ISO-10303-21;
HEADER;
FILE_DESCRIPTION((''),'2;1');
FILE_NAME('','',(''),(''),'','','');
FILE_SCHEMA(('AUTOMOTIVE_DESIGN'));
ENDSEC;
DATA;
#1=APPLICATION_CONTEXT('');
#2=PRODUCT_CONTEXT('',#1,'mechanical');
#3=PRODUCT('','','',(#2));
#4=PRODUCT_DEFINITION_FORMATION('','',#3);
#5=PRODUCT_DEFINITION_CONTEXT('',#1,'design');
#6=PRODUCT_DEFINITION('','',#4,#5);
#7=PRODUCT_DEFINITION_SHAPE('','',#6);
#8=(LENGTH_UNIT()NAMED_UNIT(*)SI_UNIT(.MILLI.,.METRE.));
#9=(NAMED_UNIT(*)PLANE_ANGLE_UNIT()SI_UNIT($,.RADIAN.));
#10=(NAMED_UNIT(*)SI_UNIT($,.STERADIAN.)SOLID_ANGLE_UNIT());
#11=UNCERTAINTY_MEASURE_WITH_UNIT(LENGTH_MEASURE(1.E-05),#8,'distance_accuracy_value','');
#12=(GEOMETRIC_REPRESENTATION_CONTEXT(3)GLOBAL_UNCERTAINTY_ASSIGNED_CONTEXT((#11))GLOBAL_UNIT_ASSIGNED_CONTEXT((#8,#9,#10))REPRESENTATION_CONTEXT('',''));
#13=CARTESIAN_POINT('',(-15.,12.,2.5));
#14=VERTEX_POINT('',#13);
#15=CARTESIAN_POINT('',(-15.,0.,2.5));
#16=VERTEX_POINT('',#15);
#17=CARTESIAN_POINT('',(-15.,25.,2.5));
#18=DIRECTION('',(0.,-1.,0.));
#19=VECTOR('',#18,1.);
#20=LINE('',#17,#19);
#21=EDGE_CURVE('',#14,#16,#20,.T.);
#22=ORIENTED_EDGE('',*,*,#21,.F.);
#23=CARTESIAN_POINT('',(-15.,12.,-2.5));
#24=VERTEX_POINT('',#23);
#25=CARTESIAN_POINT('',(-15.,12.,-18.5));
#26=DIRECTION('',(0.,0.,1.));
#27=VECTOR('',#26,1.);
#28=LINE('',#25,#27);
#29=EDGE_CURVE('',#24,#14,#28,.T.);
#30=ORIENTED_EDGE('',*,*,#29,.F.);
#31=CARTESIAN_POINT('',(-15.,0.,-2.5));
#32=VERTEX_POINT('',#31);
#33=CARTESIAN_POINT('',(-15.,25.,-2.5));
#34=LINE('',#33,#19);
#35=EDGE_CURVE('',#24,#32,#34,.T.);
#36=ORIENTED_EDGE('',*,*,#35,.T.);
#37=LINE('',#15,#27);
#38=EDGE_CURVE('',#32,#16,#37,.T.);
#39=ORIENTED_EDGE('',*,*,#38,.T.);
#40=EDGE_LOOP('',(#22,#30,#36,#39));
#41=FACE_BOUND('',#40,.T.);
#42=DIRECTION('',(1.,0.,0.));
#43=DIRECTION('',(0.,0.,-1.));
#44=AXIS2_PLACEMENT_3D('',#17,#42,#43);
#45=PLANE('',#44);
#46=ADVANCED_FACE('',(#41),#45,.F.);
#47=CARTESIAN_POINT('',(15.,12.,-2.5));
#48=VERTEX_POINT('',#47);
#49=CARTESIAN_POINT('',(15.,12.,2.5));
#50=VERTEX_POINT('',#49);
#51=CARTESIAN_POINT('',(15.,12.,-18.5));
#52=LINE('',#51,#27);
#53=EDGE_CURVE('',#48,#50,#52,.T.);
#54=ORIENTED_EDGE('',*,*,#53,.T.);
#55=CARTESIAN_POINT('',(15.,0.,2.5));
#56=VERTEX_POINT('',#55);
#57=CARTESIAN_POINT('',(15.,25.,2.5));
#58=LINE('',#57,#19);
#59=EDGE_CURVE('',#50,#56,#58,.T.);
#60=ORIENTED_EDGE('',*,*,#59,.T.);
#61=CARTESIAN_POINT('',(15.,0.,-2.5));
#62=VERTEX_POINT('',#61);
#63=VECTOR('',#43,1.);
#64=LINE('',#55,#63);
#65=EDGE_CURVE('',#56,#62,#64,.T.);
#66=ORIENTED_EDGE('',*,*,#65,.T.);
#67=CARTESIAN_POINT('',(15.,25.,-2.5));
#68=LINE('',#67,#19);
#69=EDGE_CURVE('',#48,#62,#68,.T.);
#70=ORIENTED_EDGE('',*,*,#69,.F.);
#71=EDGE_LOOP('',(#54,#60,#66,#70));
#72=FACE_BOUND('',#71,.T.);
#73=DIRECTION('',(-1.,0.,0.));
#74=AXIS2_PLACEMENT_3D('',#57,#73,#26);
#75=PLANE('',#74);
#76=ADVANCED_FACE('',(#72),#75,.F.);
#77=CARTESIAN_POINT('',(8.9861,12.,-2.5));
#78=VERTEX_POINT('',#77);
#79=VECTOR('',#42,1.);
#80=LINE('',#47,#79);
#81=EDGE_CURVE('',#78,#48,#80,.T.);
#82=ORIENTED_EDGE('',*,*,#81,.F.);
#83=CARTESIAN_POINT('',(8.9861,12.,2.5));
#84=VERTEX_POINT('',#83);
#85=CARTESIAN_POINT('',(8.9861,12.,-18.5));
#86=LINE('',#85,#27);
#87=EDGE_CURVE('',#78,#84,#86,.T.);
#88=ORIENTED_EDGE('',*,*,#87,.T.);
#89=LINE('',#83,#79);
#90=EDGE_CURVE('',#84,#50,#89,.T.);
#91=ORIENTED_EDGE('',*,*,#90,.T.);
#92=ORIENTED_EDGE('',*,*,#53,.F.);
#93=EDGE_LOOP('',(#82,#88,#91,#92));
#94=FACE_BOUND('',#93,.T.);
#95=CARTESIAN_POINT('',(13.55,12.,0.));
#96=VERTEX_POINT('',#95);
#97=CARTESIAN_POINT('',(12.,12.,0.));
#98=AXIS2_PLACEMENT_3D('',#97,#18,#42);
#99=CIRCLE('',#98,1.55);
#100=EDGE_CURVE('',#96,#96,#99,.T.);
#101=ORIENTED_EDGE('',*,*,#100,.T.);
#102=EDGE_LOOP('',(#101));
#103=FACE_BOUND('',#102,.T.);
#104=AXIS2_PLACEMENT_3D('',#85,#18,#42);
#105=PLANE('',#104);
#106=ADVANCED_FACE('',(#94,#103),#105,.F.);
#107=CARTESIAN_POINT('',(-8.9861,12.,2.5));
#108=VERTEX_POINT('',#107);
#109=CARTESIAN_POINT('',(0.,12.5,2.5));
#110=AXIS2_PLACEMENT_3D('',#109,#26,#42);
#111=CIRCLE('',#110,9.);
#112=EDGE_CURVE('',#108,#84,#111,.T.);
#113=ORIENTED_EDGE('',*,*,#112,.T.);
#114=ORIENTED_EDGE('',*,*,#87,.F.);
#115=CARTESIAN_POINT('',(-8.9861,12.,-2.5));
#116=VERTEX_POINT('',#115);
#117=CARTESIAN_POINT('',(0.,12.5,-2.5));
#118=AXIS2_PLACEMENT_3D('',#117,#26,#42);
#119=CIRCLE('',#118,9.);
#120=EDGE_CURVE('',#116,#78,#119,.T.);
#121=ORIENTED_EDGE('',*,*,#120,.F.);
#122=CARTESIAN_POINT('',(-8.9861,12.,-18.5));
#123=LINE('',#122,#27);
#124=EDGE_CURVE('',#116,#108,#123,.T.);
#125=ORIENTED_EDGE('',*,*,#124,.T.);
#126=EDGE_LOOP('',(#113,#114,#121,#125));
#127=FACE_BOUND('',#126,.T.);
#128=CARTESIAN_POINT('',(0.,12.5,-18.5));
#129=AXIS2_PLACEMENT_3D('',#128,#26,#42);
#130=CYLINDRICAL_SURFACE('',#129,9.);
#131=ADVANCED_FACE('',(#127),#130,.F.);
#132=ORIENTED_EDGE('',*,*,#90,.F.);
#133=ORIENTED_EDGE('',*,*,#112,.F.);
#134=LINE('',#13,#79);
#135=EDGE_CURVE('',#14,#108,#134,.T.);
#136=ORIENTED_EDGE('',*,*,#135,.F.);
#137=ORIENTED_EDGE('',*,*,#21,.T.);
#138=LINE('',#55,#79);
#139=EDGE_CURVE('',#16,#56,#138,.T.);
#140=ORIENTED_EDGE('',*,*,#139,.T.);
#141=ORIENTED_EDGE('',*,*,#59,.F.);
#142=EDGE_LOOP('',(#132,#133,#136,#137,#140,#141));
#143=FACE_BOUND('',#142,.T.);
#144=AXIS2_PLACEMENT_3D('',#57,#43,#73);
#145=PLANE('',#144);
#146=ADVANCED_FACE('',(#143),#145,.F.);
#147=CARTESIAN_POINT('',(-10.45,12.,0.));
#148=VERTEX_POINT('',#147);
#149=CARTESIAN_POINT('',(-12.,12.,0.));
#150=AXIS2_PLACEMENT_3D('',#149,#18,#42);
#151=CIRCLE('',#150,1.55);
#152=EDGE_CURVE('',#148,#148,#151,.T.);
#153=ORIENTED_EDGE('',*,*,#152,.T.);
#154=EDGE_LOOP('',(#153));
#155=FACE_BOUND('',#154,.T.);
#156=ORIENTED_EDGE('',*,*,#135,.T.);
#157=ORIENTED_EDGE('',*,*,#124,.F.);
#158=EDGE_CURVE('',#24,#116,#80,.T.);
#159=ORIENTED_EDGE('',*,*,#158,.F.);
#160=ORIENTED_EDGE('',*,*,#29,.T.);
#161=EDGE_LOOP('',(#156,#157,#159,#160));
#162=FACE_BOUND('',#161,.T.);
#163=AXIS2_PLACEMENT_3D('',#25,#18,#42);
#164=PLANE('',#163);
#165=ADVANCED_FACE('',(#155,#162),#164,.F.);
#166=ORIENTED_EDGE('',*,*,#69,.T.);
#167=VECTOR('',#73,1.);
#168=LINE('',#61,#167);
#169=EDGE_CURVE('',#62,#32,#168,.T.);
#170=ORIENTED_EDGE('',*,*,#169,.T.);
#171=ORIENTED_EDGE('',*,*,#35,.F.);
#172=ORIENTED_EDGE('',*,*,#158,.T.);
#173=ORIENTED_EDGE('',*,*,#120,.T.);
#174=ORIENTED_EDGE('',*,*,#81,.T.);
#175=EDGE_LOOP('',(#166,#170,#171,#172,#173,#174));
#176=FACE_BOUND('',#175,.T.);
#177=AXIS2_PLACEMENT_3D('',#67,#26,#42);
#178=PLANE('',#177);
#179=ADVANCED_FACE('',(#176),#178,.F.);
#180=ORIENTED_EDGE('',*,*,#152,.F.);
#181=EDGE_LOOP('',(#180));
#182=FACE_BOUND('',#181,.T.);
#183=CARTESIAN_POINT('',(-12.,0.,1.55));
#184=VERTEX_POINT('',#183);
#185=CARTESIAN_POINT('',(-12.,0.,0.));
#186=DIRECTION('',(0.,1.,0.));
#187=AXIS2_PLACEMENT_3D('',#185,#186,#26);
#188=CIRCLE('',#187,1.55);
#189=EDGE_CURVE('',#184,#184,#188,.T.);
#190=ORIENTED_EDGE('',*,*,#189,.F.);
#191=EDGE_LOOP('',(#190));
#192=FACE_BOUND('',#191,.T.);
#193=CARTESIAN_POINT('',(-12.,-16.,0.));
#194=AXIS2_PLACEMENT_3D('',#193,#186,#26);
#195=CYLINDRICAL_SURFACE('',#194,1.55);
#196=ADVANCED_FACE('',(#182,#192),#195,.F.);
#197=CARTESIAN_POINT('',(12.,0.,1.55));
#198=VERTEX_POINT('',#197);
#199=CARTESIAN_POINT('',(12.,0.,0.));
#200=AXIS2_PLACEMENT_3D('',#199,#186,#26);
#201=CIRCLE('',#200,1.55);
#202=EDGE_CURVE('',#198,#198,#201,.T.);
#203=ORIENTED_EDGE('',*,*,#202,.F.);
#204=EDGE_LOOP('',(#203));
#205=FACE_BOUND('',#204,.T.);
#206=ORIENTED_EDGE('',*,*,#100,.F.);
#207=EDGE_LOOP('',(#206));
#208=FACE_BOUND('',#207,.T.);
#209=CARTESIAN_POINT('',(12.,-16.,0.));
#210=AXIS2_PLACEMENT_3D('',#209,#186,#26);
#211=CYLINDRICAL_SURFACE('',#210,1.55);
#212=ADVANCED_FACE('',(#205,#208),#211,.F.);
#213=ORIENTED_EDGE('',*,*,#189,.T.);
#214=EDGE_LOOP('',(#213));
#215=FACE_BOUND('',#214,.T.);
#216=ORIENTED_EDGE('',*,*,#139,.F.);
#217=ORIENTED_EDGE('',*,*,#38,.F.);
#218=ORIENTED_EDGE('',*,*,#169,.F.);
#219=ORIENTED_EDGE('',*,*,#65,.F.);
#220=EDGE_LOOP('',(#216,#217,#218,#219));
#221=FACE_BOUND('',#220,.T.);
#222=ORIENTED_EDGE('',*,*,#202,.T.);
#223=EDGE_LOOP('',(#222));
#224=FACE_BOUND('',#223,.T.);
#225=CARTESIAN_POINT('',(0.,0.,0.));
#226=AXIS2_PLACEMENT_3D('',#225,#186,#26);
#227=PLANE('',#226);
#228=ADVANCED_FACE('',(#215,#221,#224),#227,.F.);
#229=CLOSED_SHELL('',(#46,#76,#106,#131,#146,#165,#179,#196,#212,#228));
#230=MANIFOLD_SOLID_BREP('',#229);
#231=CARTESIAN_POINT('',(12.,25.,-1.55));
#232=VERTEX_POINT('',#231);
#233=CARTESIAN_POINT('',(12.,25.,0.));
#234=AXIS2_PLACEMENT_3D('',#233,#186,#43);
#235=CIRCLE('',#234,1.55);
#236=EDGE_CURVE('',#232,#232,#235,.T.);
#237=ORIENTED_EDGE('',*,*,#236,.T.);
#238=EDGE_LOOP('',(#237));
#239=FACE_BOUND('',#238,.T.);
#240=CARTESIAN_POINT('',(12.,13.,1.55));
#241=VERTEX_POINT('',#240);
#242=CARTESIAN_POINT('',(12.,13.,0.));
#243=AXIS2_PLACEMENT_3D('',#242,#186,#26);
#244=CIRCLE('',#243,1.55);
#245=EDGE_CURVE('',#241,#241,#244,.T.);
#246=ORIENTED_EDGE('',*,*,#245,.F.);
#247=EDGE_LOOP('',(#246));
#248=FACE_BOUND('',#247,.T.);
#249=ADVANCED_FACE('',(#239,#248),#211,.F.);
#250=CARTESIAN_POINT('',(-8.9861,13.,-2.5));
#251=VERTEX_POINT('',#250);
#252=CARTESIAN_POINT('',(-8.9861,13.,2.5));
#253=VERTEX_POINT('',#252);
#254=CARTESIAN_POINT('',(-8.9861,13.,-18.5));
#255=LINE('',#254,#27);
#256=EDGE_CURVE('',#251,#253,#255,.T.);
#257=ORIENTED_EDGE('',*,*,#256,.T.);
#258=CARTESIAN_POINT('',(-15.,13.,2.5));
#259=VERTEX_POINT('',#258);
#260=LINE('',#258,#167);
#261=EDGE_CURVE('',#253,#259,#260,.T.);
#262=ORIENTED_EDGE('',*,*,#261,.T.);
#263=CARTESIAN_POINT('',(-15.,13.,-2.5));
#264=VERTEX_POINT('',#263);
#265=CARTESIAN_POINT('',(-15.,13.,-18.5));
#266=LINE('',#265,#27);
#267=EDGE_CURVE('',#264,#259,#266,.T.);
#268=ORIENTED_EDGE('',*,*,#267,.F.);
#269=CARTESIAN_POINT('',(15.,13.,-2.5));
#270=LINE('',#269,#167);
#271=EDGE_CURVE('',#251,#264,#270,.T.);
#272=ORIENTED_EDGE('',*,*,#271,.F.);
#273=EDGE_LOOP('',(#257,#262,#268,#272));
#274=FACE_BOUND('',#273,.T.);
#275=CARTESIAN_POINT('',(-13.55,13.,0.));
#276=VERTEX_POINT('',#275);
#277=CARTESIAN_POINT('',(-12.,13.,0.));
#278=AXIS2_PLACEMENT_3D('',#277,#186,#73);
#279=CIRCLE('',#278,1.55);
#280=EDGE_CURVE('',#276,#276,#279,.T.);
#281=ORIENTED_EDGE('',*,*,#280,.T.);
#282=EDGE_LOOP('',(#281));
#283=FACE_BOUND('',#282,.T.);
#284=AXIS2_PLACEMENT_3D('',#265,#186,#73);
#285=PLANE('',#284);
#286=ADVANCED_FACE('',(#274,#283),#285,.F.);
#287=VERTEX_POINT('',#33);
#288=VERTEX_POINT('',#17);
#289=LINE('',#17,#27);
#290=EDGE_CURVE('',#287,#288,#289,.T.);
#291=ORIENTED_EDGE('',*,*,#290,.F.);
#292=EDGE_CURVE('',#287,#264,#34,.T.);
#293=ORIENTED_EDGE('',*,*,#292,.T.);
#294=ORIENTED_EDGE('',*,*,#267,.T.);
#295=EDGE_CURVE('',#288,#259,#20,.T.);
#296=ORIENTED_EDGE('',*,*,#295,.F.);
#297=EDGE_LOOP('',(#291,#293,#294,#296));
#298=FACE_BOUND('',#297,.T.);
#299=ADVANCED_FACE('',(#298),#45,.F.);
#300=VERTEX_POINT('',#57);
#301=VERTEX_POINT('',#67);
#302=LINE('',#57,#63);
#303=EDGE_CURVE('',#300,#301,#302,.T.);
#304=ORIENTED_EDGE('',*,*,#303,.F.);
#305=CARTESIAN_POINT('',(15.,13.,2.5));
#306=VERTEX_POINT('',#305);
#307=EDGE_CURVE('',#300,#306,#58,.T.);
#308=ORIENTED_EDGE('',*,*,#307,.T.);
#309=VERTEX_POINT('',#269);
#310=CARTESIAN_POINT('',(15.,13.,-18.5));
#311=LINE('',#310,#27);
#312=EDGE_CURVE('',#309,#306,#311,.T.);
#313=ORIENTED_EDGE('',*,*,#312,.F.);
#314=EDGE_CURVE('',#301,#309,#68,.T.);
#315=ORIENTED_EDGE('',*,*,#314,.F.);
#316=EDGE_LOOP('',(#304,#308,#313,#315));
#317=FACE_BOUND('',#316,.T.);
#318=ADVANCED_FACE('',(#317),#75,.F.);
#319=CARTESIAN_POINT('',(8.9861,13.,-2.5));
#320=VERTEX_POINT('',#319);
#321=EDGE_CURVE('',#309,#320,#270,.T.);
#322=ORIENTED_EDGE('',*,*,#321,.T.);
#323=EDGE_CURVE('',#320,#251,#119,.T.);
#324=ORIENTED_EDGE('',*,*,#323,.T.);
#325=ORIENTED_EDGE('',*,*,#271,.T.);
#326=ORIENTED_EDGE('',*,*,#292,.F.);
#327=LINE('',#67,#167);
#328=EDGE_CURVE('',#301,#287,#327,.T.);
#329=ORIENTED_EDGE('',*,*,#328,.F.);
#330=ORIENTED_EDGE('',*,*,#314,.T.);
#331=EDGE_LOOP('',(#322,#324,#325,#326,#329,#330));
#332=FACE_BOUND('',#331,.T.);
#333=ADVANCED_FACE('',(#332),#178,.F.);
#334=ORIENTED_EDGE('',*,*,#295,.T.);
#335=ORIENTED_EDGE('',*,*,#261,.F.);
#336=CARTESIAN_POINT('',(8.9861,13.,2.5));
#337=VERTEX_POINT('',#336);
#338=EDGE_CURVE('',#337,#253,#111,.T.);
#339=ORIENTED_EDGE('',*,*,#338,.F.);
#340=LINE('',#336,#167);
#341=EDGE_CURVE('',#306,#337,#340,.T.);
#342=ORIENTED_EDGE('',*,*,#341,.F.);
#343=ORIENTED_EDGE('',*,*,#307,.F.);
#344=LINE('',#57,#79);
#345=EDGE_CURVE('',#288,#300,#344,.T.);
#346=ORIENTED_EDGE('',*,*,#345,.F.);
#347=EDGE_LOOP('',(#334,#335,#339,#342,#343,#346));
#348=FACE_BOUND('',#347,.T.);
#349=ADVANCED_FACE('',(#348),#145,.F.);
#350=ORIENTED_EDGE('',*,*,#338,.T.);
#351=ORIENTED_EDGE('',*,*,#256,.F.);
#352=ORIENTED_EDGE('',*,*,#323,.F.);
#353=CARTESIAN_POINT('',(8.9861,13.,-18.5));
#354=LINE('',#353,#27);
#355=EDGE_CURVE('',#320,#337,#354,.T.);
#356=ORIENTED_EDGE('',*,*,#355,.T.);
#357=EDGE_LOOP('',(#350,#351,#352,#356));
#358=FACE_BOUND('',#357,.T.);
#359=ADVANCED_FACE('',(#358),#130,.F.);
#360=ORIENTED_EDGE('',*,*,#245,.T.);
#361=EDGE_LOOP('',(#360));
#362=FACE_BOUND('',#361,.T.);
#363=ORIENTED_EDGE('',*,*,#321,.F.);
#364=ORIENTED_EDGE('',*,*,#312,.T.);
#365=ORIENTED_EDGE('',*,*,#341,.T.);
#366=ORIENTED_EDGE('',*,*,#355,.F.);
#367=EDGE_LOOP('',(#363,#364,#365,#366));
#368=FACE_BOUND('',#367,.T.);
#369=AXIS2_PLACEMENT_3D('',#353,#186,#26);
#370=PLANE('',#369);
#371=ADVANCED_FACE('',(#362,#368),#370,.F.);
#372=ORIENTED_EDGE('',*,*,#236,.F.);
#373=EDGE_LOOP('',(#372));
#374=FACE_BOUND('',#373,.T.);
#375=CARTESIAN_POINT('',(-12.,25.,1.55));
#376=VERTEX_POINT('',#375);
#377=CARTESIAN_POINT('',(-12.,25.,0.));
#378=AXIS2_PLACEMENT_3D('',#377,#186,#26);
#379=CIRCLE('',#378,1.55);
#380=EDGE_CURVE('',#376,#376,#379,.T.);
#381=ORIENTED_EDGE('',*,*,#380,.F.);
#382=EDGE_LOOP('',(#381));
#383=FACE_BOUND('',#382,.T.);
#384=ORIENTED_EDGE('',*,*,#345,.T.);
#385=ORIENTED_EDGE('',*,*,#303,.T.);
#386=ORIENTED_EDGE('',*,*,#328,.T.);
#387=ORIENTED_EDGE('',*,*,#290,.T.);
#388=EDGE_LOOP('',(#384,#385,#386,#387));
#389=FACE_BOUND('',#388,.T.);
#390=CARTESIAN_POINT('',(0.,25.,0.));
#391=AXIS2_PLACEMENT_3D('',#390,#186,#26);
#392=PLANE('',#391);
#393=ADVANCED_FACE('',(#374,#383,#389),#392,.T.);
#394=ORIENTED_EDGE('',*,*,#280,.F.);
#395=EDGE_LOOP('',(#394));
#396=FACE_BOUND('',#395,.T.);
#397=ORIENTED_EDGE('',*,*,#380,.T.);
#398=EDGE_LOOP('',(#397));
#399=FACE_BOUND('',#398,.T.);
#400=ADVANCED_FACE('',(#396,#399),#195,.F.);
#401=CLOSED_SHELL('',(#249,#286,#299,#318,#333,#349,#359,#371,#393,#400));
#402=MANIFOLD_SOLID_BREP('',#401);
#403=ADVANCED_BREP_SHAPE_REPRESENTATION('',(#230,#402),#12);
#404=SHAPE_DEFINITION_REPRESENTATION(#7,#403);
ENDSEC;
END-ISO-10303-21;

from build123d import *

# Parameters (mm, degrees)
SKETCH_1_W          = 30
SKETCH_1_H          = 5
EXTRUDE_1_DEPTH     = 25
CUT_EXTRUDE_1_DEPTH = 21
SKETCH_3_R          = 1.55
CUT_EXTRUDE_2_DEPTH = 41


with BuildPart() as part:
    # 草图1 → 凸台-拉伸1 (new body)
    with BuildSketch(Plane(origin=(0, 0, 0), x_dir=(1, 0, 0), z_dir=(0, 1, 0))):
        Rectangle(SKETCH_1_W, SKETCH_1_H)
    extrude(amount=EXTRUDE_1_DEPTH)

    # 草图2 → 切除-拉伸1 (cut)
    with BuildSketch(Plane.XY.offset(2.5)):
        with BuildLine():
            Line((-15, 12), (-8.986100378, 12))
            ThreePointArc((-8.986100378, 12), (0, 3.5), (8.986100378, 12))
            Line((8.986100378, 12), (15, 12))
            Line((15, 12), (15, 13))
            Line((15, 13), (8.986100378, 13))
            ThreePointArc((8.986100378, 13), (0, 21.5), (-8.986100378, 13))
            Line((-8.986100378, 13), (-15, 13))
            Line((-15, 13), (-15, 12))
        make_face()
    extrude(amount=-CUT_EXTRUDE_1_DEPTH, mode=Mode.SUBTRACT)


with BuildPart() as cut_extrude_1_piece_1:
    # of the separate pieces the step leaves, piece 1, a body of its own (cut_extrude_1_pieces)
    add(part.part.solids().sort_by_distance((15, 0, 2.5))[0])


with BuildPart() as cut_extrude_1_piece_2:
    # of the separate pieces the step leaves, piece 2, a body of its own (cut_extrude_1_pieces)
    add(part.part.solids().sort_by_distance((15, 13, 2.5))[0])


with BuildPart() as cut_extrude_2_tool:
    # 草图3 → 切除-拉伸2 (new body)
    with BuildSketch(Plane(origin=(0, 25, 0), x_dir=(1, 0, 0), z_dir=(0, 1, 0))):
        with Locations(Location((-12, 0, 0), (0, 0, 270))):
            Circle(SKETCH_3_R)
        with Locations(Location((12, 0, 0), (0, 0, 270))):
            Circle(SKETCH_3_R)
    extrude(amount=-CUT_EXTRUDE_2_DEPTH)


with BuildPart() as cut_extrude_1_piece_1_1:
    add(cut_extrude_1_piece_1.part)

    # 切除-拉伸2: cut by cut_extrude_2_tool
    add(cut_extrude_2_tool.part, mode=Mode.SUBTRACT)


with BuildPart() as cut_extrude_1_piece_2_1:
    add(cut_extrude_1_piece_2.part)

    # 切除-拉伸2: cut by cut_extrude_2_tool
    add(cut_extrude_2_tool.part, mode=Mode.SUBTRACT)


solid = Compound([cut_extrude_1_piece_1_1.part, cut_extrude_1_piece_2_1.part])
